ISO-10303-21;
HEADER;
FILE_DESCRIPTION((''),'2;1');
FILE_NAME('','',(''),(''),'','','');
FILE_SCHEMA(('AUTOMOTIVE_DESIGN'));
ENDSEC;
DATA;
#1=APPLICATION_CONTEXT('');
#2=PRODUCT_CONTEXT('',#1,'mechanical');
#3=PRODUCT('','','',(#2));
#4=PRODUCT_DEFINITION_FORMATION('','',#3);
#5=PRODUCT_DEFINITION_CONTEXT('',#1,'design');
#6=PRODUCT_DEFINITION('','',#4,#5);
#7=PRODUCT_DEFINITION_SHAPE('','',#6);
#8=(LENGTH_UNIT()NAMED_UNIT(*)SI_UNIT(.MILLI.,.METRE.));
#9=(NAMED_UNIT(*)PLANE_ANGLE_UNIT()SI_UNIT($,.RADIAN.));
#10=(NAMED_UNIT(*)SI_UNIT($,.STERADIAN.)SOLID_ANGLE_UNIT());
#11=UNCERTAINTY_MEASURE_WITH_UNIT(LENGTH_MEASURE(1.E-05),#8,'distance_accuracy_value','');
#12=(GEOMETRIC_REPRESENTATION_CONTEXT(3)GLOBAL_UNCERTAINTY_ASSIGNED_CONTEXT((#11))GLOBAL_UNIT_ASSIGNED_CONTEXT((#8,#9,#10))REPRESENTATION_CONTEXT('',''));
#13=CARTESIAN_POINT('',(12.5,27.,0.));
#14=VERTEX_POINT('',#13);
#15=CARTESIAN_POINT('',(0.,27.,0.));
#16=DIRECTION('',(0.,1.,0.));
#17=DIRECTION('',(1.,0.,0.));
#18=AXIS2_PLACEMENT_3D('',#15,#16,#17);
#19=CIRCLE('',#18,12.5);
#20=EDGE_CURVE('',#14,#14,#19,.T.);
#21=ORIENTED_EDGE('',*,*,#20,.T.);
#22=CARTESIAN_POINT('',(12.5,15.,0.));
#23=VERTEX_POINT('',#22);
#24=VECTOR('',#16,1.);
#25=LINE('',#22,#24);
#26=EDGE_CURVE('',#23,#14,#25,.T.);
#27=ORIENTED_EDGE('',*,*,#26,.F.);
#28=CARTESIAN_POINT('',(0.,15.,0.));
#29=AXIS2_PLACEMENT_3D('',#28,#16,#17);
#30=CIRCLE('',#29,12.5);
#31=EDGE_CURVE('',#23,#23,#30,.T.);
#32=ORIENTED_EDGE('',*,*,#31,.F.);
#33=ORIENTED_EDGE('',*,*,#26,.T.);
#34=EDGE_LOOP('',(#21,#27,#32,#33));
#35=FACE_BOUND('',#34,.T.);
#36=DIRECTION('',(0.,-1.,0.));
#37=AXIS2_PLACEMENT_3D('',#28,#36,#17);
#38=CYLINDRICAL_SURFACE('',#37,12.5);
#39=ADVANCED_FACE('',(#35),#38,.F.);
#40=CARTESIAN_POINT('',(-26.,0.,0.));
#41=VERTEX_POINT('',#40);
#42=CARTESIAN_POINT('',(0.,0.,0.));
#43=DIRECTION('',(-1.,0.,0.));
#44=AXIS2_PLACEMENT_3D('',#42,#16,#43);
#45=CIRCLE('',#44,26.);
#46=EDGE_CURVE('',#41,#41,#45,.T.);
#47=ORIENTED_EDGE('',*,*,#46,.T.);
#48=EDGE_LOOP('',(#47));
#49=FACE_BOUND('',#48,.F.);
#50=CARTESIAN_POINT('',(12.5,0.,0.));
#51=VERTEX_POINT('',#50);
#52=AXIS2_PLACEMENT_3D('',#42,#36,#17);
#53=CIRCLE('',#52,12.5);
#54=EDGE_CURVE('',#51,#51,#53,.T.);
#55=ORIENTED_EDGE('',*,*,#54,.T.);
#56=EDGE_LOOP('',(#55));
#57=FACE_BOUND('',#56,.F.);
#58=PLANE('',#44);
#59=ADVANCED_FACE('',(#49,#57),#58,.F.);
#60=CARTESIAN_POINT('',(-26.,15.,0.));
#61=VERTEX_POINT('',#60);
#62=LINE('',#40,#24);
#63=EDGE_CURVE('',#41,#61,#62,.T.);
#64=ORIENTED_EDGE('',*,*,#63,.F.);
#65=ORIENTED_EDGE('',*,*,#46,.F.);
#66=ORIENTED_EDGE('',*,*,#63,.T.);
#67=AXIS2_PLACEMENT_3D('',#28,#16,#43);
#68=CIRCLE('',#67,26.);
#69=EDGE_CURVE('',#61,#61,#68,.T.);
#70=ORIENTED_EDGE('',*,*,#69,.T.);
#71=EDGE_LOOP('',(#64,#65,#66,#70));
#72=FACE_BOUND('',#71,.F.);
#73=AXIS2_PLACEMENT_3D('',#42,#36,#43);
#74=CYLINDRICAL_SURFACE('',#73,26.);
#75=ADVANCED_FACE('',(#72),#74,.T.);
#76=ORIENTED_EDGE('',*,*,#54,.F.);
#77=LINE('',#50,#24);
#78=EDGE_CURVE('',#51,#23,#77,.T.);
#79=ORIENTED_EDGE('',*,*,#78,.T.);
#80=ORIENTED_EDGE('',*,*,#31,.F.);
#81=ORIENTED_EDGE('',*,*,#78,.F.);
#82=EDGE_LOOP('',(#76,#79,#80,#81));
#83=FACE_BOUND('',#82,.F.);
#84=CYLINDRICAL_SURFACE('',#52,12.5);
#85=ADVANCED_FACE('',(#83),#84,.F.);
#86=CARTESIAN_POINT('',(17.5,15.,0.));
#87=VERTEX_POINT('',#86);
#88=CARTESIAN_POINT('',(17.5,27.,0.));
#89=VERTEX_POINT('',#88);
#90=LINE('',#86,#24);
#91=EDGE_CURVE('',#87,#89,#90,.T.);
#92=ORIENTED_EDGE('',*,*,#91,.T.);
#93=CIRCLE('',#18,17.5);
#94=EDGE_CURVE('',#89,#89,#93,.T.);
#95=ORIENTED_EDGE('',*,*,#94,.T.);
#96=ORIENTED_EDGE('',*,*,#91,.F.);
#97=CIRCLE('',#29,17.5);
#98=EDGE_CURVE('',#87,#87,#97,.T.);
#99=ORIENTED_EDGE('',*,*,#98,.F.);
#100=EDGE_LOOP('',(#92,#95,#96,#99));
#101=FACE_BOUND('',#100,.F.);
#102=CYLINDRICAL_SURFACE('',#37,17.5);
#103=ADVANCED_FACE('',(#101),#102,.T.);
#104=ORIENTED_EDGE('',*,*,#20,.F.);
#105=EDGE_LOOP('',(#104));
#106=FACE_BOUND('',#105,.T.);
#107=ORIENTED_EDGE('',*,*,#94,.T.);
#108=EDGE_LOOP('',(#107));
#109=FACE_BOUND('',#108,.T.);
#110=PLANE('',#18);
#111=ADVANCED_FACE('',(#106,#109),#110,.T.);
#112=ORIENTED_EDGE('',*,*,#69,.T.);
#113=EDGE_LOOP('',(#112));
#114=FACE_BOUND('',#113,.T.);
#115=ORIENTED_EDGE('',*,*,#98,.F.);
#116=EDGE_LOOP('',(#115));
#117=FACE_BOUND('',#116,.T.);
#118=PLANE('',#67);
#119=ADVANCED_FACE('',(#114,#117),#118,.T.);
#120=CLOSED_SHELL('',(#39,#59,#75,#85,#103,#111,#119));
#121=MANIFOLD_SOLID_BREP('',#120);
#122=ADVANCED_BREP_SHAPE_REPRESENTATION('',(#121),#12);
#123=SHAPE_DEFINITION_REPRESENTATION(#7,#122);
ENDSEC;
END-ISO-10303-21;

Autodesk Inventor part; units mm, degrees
ref_plane "YZ Plane" through (0, 0, 0) normal (1, 0, 0) x (0, 1, 0)
ref_plane "XZ Plane" through (0, 0, 0) normal (0, 1, 0) x (-1, 0, 0)
ref_plane "XY Plane" through (0, 0, 0) normal (0, 0, 1) x (1, 0, 0)
sketch "Эскиз1" plane through (0, 0, 0) normal (0, 1, 0) x (-1, 0, 0)
  circle A0 centre (0, 0) radius 26
  dimension "d0" = 52
extrude "Выдавливание1" add sketch "Эскиз1" along normal blind 15
sketch "Эскиз2" plane through (0, 15, 0) normal (0, 1, 0) x (1, 0, 0)
  circle A0 centre (0, 0) radius 17.5
  circle A1 centre (0, 0) radius 12.5
  dimension "d3" = 25
  dimension "d4" = 35
extrude "Выдавливание2" add sketch "Эскиз2" along normal blind 12
sketch "Эскиз3" plane through (0, 0, 0) normal (0, -1, 0) x (1, 0, 0)
  circle A0 centre (0, 0) radius 12.5
  dimension "d7" = 25
extrude "Выдавливание3" cut sketch "Эскиз3" against normal blind 15
properties part number "подшипник"
